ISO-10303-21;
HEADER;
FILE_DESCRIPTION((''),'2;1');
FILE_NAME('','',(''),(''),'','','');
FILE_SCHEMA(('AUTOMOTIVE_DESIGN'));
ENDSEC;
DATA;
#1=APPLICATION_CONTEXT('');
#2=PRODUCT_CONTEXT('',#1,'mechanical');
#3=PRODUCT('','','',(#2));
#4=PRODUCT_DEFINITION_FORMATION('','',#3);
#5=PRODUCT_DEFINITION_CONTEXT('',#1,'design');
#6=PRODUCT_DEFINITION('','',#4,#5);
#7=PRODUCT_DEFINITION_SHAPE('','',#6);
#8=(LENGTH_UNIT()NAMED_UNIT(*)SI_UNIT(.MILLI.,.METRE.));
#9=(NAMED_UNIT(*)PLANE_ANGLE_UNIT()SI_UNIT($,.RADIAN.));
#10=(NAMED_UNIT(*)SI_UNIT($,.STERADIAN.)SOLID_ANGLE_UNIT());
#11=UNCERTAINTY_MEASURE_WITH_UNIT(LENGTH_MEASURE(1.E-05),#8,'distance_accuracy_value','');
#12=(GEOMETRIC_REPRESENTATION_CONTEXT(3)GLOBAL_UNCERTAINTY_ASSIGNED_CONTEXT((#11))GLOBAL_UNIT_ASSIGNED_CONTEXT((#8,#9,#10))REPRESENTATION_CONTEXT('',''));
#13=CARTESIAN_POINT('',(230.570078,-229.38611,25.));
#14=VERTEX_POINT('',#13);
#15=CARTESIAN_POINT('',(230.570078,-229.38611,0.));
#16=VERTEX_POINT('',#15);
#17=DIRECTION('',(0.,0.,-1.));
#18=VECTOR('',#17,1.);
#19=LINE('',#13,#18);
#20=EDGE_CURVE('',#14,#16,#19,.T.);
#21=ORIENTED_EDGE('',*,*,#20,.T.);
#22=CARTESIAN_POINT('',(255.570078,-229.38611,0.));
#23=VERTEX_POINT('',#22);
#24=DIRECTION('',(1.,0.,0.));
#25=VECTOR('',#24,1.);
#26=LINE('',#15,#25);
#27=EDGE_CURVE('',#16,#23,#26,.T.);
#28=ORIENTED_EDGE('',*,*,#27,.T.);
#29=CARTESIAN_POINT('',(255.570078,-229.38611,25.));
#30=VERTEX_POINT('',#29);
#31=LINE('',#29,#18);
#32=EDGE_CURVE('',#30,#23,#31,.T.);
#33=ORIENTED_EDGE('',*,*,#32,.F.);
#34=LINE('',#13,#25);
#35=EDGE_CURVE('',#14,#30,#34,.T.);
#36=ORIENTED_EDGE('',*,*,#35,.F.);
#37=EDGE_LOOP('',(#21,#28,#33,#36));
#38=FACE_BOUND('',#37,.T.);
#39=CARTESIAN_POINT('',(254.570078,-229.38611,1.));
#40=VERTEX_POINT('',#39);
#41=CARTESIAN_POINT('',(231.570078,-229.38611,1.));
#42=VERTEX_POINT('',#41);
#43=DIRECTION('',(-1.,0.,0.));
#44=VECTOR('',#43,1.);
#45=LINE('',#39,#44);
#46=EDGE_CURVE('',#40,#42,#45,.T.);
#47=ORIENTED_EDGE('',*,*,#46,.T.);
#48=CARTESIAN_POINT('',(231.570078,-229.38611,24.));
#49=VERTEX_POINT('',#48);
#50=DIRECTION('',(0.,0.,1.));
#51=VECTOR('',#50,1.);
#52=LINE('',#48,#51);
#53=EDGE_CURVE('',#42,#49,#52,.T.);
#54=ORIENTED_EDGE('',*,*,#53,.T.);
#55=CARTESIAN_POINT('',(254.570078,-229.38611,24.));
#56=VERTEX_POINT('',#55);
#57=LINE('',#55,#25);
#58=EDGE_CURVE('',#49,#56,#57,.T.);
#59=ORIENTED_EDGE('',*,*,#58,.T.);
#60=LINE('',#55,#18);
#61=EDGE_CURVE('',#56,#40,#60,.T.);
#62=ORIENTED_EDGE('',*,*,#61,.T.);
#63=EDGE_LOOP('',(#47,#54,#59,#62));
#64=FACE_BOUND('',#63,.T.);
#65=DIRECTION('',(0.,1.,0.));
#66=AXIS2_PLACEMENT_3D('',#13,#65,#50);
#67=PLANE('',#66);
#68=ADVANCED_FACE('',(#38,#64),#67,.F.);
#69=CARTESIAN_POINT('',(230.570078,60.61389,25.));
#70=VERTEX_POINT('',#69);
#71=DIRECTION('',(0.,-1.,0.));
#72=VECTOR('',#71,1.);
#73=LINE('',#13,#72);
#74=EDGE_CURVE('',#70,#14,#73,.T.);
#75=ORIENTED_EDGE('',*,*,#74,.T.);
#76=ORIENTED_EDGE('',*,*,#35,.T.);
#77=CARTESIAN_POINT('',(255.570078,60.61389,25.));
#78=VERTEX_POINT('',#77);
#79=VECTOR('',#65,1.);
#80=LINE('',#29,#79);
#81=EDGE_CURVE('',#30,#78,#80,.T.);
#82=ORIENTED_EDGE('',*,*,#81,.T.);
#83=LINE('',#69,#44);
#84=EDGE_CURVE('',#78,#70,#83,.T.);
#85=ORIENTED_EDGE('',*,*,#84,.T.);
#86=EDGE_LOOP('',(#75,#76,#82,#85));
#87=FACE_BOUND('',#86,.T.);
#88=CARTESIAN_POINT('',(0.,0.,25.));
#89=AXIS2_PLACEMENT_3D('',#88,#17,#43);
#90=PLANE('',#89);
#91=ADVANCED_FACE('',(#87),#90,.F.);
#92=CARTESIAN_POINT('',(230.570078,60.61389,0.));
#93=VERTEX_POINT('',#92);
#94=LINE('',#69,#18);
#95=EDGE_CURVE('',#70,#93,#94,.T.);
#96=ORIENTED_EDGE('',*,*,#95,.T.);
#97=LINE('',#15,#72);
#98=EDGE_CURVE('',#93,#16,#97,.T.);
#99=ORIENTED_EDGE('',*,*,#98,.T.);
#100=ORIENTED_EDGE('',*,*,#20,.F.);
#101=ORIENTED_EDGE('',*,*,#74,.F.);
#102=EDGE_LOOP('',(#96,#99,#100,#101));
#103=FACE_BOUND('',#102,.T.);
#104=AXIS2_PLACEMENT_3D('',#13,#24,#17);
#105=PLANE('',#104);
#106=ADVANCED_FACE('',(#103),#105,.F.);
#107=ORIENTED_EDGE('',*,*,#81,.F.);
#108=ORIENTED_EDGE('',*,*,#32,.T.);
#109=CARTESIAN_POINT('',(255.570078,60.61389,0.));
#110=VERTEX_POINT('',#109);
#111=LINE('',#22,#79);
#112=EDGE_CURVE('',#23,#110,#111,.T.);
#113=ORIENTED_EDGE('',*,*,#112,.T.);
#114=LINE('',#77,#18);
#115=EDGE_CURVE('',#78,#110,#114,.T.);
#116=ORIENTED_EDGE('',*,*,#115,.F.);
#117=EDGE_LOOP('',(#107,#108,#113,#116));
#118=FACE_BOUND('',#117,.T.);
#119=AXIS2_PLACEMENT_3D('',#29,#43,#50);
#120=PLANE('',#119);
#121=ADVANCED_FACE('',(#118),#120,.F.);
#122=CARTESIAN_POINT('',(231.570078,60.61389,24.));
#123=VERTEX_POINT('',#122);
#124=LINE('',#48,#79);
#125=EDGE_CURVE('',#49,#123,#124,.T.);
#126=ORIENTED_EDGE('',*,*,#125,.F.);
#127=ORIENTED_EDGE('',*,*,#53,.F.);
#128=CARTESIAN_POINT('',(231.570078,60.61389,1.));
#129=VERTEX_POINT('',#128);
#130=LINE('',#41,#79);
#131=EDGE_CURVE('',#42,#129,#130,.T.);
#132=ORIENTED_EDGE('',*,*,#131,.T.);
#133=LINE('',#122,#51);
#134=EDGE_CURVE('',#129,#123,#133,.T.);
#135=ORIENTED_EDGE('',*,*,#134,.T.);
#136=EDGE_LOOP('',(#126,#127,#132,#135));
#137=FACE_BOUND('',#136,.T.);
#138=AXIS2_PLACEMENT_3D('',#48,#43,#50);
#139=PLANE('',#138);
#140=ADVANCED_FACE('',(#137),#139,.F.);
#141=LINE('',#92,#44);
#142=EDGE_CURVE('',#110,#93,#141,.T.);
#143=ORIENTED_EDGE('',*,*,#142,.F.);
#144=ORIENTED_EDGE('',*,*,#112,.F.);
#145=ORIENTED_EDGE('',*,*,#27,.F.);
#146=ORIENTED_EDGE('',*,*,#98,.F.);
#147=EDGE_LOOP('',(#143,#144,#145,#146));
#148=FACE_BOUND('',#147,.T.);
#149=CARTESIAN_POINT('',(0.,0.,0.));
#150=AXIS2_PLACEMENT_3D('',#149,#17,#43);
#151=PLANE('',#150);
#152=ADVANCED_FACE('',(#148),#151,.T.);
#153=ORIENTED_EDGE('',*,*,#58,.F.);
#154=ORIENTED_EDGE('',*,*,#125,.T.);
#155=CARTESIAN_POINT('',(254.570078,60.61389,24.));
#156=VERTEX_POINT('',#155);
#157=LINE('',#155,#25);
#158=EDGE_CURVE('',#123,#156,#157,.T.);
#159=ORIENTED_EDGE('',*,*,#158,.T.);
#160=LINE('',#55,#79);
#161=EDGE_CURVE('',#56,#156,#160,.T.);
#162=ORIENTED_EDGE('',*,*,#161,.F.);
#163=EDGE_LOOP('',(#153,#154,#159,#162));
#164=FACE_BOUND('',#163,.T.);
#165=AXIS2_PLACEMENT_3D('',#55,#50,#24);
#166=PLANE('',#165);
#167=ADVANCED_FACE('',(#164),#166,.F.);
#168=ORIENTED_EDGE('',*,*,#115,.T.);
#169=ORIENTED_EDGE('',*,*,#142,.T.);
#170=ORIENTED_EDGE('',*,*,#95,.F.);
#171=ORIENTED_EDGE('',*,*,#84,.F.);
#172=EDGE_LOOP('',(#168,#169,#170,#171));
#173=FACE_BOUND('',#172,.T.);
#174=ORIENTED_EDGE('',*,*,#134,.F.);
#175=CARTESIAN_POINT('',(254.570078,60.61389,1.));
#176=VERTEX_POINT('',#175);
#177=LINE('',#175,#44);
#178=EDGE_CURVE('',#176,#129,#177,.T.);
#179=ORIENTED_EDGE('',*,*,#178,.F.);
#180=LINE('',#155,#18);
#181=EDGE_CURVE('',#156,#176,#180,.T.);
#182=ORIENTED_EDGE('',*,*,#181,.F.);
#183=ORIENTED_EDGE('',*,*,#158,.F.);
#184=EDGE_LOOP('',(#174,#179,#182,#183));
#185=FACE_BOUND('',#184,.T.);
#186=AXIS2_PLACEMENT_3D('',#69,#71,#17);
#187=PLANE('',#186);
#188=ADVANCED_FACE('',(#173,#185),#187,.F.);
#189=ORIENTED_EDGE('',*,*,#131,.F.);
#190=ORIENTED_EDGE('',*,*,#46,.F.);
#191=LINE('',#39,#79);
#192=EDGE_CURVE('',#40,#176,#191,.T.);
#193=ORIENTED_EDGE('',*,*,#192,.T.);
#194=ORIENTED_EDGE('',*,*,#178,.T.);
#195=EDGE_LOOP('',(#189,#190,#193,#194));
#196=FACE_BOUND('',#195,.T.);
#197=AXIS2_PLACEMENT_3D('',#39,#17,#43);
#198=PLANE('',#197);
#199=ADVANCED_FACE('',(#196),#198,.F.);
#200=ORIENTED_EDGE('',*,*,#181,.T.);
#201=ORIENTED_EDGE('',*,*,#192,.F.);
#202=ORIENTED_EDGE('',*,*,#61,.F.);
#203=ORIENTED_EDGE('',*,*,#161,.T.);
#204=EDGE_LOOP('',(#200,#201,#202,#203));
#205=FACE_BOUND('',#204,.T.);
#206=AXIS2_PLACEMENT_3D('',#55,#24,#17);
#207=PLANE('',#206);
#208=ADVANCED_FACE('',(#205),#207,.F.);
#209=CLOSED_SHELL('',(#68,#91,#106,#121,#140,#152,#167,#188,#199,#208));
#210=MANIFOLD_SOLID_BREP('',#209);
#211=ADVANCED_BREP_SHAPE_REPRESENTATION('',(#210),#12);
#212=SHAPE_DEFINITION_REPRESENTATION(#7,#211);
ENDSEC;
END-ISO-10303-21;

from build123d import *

# Parameters (mm, degrees)
SKETCH1_W           = 25
SKETCH1_H           = 290
BOSS_EXTRUDE1_DEPTH = 25
SKETCH2_W           = 23
SKETCH2_H           = 23
CUT_EXTRUDE1_DEPTH  = 388.351345064


with BuildPart() as part:
    # Sketch1 → Boss-Extrude1 (new body)
    with BuildSketch(Plane.XY):
        with Locations((243.070077519, -84.386109851)):
            Rectangle(SKETCH1_W, SKETCH1_H)
    extrude(amount=BOSS_EXTRUDE1_DEPTH)

    # Sketch2 → Cut-Extrude1 (cut, through all)
    with BuildSketch(Plane(origin=(0, 60.613890149, 0), x_dir=(1, 0, 0), z_dir=(0, 1, 0))):
        with Locations((243.070077519, -12.5)):
            Rectangle(SKETCH2_W, SKETCH2_H)
    extrude(amount=-CUT_EXTRUDE1_DEPTH, mode=Mode.SUBTRACT)


solid = part.part
